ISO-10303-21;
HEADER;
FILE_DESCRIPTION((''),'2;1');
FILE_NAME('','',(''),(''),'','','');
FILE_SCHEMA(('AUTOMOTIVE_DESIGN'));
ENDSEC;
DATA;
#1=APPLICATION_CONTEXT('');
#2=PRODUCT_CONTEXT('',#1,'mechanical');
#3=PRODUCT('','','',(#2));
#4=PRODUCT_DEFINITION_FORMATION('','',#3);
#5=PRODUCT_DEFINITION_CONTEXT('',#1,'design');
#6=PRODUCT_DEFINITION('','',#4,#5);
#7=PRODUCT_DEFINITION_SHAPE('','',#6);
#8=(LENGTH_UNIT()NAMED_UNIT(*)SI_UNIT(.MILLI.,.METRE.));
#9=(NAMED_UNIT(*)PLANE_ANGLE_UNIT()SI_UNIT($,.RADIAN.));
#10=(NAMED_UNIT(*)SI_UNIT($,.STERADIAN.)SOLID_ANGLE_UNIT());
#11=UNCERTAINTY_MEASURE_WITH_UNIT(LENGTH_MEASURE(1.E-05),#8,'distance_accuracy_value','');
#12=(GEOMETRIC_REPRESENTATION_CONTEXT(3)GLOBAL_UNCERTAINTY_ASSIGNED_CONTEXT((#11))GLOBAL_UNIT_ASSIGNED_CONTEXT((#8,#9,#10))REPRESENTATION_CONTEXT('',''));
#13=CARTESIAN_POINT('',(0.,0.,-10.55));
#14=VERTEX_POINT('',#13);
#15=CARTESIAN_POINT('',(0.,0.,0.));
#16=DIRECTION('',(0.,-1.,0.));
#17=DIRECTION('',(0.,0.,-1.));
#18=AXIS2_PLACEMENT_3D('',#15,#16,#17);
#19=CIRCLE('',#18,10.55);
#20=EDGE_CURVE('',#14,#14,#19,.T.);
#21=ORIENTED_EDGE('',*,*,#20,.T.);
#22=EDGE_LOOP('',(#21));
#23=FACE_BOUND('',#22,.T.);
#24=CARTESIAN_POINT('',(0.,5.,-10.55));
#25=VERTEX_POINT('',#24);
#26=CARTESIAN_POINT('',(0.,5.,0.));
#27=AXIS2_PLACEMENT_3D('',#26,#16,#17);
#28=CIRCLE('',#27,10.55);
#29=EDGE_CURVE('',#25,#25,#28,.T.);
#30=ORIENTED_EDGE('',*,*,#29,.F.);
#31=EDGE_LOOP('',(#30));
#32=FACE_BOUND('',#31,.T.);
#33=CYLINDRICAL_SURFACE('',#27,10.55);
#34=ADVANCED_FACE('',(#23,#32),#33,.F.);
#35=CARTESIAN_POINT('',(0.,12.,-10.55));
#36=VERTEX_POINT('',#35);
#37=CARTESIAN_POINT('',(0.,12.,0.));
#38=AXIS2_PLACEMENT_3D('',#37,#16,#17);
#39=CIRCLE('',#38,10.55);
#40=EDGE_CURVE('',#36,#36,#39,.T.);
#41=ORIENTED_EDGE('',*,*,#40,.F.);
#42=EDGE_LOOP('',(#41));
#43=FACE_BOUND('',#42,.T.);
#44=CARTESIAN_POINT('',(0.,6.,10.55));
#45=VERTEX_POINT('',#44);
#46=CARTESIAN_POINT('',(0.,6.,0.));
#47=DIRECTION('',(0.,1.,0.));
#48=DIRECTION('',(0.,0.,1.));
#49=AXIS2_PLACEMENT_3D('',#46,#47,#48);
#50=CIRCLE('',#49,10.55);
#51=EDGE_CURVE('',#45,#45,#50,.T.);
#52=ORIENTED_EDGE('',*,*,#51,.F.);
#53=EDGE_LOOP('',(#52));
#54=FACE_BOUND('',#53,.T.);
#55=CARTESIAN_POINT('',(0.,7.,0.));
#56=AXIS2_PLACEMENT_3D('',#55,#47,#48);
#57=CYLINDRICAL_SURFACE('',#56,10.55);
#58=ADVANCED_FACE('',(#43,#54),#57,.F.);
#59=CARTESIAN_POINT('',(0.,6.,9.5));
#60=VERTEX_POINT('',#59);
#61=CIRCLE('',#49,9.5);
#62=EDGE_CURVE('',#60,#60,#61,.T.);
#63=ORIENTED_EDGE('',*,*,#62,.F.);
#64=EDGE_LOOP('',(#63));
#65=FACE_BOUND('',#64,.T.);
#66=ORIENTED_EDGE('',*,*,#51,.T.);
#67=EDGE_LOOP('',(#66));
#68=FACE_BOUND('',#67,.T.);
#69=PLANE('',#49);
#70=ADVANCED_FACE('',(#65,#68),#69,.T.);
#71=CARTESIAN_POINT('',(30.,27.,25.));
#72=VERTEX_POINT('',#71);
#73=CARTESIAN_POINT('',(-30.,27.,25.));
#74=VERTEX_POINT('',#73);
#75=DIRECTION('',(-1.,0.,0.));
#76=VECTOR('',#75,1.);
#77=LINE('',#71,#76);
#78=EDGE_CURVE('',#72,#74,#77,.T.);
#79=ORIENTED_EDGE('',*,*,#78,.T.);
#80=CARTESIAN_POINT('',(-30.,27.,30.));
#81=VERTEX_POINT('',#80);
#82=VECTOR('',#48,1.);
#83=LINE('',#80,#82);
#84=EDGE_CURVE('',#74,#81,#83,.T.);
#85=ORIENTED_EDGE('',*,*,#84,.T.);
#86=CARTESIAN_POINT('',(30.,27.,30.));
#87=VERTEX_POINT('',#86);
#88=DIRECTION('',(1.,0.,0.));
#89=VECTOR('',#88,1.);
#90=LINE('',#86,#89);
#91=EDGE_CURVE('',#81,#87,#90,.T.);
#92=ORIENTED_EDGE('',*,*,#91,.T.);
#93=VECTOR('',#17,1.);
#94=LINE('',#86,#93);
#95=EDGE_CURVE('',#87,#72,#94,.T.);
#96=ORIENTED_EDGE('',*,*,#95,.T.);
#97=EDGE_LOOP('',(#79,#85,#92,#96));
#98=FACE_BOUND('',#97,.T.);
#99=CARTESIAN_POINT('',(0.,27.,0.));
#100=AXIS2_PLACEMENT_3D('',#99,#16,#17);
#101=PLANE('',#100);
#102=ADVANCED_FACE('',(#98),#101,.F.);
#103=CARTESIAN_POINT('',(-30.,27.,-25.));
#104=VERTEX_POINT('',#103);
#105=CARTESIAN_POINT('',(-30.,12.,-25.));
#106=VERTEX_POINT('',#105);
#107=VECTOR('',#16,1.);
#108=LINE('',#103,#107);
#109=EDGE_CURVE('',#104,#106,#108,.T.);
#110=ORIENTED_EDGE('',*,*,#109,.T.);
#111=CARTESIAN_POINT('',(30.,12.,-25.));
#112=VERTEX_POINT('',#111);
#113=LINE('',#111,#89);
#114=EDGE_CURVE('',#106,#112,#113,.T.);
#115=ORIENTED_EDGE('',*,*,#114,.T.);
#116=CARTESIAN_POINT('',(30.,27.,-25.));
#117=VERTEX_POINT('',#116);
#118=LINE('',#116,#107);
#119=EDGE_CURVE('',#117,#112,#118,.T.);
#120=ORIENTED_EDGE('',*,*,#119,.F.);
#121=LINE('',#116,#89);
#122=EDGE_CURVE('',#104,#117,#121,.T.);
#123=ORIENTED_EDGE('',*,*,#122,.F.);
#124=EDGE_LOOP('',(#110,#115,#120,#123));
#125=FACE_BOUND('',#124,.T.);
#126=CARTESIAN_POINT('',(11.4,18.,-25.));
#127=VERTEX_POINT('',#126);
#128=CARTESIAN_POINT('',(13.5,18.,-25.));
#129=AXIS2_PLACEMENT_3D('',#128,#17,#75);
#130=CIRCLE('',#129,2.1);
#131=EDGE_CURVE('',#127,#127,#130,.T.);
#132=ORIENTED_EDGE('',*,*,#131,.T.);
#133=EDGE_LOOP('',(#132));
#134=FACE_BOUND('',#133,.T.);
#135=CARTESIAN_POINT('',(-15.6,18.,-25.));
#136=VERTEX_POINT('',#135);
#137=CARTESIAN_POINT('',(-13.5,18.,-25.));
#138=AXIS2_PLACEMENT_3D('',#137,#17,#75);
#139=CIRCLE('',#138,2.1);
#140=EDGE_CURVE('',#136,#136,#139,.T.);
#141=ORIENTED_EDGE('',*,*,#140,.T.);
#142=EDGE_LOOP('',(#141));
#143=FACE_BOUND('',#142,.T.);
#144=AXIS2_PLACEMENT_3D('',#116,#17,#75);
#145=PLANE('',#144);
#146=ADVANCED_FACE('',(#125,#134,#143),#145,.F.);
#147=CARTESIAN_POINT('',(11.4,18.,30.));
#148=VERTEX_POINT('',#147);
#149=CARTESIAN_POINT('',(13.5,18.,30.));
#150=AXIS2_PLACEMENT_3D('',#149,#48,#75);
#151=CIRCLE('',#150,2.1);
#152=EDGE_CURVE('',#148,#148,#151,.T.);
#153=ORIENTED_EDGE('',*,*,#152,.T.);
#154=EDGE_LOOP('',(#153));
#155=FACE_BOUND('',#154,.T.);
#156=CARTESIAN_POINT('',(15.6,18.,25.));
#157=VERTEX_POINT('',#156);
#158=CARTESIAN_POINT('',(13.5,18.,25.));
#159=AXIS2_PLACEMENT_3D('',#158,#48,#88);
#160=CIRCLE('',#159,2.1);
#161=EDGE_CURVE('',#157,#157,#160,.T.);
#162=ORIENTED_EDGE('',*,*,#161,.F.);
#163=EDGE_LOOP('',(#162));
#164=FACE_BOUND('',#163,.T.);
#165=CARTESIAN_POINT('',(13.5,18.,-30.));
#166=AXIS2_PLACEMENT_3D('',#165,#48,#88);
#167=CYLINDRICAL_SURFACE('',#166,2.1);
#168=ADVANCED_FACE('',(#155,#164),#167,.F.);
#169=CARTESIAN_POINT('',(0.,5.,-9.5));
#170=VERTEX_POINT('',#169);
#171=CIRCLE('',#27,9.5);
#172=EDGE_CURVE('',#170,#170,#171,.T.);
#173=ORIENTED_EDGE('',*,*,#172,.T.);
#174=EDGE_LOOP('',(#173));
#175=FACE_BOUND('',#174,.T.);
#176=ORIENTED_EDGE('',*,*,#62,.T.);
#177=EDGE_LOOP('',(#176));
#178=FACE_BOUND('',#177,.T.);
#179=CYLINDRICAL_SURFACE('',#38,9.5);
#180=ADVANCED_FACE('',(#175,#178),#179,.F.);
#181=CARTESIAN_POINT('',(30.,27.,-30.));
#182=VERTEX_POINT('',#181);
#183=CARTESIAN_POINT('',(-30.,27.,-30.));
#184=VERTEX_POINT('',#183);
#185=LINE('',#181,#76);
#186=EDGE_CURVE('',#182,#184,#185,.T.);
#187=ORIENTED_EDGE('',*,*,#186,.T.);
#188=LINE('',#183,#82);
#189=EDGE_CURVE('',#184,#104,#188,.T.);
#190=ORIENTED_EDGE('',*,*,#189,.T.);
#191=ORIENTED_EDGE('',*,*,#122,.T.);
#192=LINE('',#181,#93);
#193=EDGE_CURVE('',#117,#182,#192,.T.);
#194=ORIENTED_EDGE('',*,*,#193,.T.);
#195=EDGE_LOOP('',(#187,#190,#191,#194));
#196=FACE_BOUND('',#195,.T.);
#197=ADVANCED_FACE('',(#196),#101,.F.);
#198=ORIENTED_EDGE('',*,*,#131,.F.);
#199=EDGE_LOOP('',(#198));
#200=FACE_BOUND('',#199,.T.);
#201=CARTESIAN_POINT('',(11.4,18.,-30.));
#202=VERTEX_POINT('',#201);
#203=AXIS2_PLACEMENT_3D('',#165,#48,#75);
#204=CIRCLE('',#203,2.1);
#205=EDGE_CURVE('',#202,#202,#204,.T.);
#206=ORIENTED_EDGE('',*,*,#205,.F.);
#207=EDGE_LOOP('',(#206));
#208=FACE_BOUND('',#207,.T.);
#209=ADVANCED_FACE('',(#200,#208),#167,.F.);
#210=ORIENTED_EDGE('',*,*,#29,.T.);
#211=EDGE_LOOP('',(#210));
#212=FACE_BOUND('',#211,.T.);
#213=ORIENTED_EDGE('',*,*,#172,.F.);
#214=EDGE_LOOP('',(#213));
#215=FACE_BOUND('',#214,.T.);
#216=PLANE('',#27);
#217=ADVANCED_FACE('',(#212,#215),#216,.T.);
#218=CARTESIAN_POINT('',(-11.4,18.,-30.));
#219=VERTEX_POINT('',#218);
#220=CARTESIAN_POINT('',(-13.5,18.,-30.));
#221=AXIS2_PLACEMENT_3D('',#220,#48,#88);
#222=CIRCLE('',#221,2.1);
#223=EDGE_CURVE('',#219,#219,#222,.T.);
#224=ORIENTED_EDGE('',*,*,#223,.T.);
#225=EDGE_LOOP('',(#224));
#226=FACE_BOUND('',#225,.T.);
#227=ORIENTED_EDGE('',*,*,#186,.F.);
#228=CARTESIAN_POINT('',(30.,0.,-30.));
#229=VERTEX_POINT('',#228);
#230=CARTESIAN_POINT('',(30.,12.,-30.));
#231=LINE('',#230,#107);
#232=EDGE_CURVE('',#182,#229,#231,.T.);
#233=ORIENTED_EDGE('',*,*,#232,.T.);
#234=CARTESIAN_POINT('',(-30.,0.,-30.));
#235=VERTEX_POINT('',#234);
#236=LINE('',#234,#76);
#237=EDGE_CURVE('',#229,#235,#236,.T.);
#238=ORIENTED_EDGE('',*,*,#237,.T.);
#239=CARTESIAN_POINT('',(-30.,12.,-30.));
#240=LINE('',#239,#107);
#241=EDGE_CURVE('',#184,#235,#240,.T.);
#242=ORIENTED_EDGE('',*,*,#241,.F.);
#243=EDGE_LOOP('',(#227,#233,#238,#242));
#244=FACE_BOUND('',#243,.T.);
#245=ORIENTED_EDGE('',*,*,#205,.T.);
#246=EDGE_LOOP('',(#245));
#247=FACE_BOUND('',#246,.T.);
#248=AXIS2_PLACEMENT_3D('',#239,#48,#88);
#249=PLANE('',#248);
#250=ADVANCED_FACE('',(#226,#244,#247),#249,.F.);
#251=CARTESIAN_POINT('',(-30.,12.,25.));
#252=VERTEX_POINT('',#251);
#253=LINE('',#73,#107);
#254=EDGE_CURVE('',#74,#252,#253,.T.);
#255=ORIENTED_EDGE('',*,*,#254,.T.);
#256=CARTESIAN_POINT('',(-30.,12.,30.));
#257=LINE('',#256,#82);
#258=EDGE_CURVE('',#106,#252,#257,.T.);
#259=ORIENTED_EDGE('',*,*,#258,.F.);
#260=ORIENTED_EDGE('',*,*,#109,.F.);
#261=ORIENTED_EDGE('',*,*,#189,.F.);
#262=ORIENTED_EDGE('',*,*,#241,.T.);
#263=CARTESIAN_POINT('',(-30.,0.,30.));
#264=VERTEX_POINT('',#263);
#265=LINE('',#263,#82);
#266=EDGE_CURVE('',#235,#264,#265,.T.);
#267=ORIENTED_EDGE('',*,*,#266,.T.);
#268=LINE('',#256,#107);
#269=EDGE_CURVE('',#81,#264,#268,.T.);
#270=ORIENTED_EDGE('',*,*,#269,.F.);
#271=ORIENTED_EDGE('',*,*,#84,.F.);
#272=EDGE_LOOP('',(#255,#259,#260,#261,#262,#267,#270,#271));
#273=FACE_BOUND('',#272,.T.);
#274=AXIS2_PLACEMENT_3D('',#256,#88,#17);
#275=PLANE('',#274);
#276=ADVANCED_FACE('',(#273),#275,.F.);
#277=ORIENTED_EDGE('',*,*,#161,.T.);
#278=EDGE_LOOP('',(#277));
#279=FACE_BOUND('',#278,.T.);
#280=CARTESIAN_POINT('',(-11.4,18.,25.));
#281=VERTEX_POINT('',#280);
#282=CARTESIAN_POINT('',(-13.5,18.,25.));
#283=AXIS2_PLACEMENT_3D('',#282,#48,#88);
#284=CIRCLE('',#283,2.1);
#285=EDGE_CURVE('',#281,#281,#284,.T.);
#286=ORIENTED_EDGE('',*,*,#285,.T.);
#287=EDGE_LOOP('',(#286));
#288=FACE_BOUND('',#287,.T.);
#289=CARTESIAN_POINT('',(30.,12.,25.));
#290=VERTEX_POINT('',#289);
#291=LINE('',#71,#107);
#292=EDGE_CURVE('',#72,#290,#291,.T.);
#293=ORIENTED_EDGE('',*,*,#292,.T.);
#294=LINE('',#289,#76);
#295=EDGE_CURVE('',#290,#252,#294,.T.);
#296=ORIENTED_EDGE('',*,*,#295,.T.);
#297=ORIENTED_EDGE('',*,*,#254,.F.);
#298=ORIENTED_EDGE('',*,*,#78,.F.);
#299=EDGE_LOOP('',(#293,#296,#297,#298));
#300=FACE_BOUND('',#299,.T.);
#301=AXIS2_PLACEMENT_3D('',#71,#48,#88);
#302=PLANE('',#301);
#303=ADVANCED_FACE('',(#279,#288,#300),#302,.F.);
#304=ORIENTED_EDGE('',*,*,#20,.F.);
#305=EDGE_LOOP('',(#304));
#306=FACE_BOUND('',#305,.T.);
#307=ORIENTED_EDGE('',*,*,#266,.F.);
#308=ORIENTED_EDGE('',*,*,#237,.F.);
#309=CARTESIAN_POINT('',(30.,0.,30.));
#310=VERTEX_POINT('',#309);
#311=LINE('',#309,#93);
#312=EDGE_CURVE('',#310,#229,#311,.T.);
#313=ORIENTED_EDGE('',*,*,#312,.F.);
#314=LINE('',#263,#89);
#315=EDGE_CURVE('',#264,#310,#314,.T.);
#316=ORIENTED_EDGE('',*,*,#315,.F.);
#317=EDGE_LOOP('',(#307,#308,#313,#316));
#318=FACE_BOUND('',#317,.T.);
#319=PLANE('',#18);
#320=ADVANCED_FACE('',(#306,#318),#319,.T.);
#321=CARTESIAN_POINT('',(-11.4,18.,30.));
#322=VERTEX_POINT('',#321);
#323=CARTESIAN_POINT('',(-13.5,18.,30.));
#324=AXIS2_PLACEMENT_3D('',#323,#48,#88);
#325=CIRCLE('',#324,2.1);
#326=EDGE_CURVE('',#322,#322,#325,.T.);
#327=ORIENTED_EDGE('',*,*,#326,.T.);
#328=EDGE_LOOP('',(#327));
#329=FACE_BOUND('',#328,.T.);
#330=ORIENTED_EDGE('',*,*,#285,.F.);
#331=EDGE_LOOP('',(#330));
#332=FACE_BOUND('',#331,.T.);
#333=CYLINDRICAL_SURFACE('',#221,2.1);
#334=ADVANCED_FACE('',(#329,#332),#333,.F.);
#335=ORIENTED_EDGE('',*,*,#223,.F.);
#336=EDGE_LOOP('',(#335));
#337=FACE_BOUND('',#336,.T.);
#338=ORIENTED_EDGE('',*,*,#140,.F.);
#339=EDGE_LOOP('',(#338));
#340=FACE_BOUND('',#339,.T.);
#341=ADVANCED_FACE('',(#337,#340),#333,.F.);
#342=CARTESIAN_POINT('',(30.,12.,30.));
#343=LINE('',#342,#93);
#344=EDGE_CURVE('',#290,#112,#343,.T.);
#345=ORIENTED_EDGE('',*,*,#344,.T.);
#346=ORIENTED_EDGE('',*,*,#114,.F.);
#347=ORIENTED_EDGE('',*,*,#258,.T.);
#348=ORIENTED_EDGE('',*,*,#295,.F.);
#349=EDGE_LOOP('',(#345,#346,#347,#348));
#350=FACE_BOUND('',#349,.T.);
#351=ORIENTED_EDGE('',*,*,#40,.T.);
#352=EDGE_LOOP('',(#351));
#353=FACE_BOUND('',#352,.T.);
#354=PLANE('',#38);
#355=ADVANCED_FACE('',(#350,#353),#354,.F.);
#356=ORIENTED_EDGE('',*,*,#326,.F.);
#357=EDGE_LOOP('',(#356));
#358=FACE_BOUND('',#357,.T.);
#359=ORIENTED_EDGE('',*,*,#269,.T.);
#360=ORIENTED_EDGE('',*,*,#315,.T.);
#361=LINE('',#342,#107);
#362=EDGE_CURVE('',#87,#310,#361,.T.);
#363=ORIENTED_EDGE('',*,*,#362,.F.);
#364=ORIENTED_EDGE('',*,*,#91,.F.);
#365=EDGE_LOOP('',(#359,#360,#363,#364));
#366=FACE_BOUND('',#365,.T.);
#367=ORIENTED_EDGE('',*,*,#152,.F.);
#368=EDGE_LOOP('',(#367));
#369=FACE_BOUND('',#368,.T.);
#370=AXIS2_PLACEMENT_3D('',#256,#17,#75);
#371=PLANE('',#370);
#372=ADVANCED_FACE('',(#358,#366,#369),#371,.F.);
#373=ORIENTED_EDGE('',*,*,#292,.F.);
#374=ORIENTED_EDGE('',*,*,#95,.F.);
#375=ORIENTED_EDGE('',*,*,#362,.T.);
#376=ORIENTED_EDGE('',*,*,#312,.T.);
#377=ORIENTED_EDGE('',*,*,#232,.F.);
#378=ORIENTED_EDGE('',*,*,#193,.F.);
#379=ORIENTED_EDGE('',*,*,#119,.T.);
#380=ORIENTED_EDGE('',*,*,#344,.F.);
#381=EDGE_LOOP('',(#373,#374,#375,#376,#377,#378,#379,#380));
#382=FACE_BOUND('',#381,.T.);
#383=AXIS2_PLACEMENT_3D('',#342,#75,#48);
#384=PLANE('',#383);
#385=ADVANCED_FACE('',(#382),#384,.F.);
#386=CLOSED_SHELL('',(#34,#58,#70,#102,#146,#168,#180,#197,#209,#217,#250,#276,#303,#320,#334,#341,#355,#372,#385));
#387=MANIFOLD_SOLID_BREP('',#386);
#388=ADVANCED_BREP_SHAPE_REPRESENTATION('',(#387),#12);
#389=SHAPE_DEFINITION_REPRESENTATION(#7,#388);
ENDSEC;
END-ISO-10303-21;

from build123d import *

# Parameters (mm, degrees)
SKETCH_1_W          = 60
SKETCH_1_H          = 60
SKETCH_1_R          = 9.5
EXTRUDE_1_DEPTH     = 12
SKETCH_3_R          = 10.55
CUT_EXTRUDE_1_DEPTH = 5
SKETCH_6_W          = 60
SKETCH_6_H          = 5
EXTRUDE_2_DEPTH     = 15
SKETCH_7_R          = 2.1
CUT_EXTRUDE_2_DEPTH = 73.311824759
SKETCH_8_R          = 10.55
CUT_EXTRUDE_3_DEPTH = 1


with BuildPart() as part:
    # 草图1 → 凸台-拉伸1 (new body)
    with BuildSketch(Plane(origin=(0, 0, 0), x_dir=(1, 0, 0), z_dir=(0, 1, 0))):
        Rectangle(SKETCH_1_W, SKETCH_1_H)
        with Locations(Location((0, 0, 0), (0, 0, 270))):
            Circle(SKETCH_1_R, mode=Mode.SUBTRACT)
    extrude(amount=EXTRUDE_1_DEPTH)

    # 草图3 → 切除-拉伸1 (cut)
    with BuildSketch(Plane.XZ):
        with Locations(Location((0, 0, 0), (0, 0, 270))):
            Circle(SKETCH_3_R)
    cut_extrude_1 = extrude(amount=-CUT_EXTRUDE_1_DEPTH, mode=Mode.SUBTRACT)

    # 镜向1: 切除-拉伸1 across plane
    add(cut_extrude_1.mirror(Plane(origin=(0, 6, 0), x_dir=(0, 0, 1), z_dir=(0, -1, 0))), mode=Mode.SUBTRACT)

    # 草图6 → 凸台-拉伸2 (add)
    with BuildSketch(Plane(origin=(0, 12, 0), x_dir=(1, 0, 0), z_dir=(0, 1, 0))):
        with Locations((0, 27.5)):
            Rectangle(SKETCH_6_W, SKETCH_6_H)
        with Locations((0, -27.5)):
            Rectangle(SKETCH_6_W, SKETCH_6_H)
    extrude(amount=EXTRUDE_2_DEPTH)

    # 草图7 → 切除-拉伸2 (cut, through all)
    with BuildSketch(Plane.XY.offset(30)):
        with Locations((-13.5, 18)):
            Circle(SKETCH_7_R)
        with Locations((13.5, 18)):
            Circle(SKETCH_7_R)
    extrude(amount=-CUT_EXTRUDE_2_DEPTH, mode=Mode.SUBTRACT)

    # 草图8 → 切除-拉伸3 (cut)
    with BuildSketch(Plane(origin=(0, 7, 0), x_dir=(1, 0, 0), z_dir=(0, 1, 0))):
        with Locations(Location((0, 0, 0), (0, 0, 90))):
            Circle(SKETCH_8_R)
    extrude(amount=-CUT_EXTRUDE_3_DEPTH, mode=Mode.SUBTRACT)


solid = part.part
